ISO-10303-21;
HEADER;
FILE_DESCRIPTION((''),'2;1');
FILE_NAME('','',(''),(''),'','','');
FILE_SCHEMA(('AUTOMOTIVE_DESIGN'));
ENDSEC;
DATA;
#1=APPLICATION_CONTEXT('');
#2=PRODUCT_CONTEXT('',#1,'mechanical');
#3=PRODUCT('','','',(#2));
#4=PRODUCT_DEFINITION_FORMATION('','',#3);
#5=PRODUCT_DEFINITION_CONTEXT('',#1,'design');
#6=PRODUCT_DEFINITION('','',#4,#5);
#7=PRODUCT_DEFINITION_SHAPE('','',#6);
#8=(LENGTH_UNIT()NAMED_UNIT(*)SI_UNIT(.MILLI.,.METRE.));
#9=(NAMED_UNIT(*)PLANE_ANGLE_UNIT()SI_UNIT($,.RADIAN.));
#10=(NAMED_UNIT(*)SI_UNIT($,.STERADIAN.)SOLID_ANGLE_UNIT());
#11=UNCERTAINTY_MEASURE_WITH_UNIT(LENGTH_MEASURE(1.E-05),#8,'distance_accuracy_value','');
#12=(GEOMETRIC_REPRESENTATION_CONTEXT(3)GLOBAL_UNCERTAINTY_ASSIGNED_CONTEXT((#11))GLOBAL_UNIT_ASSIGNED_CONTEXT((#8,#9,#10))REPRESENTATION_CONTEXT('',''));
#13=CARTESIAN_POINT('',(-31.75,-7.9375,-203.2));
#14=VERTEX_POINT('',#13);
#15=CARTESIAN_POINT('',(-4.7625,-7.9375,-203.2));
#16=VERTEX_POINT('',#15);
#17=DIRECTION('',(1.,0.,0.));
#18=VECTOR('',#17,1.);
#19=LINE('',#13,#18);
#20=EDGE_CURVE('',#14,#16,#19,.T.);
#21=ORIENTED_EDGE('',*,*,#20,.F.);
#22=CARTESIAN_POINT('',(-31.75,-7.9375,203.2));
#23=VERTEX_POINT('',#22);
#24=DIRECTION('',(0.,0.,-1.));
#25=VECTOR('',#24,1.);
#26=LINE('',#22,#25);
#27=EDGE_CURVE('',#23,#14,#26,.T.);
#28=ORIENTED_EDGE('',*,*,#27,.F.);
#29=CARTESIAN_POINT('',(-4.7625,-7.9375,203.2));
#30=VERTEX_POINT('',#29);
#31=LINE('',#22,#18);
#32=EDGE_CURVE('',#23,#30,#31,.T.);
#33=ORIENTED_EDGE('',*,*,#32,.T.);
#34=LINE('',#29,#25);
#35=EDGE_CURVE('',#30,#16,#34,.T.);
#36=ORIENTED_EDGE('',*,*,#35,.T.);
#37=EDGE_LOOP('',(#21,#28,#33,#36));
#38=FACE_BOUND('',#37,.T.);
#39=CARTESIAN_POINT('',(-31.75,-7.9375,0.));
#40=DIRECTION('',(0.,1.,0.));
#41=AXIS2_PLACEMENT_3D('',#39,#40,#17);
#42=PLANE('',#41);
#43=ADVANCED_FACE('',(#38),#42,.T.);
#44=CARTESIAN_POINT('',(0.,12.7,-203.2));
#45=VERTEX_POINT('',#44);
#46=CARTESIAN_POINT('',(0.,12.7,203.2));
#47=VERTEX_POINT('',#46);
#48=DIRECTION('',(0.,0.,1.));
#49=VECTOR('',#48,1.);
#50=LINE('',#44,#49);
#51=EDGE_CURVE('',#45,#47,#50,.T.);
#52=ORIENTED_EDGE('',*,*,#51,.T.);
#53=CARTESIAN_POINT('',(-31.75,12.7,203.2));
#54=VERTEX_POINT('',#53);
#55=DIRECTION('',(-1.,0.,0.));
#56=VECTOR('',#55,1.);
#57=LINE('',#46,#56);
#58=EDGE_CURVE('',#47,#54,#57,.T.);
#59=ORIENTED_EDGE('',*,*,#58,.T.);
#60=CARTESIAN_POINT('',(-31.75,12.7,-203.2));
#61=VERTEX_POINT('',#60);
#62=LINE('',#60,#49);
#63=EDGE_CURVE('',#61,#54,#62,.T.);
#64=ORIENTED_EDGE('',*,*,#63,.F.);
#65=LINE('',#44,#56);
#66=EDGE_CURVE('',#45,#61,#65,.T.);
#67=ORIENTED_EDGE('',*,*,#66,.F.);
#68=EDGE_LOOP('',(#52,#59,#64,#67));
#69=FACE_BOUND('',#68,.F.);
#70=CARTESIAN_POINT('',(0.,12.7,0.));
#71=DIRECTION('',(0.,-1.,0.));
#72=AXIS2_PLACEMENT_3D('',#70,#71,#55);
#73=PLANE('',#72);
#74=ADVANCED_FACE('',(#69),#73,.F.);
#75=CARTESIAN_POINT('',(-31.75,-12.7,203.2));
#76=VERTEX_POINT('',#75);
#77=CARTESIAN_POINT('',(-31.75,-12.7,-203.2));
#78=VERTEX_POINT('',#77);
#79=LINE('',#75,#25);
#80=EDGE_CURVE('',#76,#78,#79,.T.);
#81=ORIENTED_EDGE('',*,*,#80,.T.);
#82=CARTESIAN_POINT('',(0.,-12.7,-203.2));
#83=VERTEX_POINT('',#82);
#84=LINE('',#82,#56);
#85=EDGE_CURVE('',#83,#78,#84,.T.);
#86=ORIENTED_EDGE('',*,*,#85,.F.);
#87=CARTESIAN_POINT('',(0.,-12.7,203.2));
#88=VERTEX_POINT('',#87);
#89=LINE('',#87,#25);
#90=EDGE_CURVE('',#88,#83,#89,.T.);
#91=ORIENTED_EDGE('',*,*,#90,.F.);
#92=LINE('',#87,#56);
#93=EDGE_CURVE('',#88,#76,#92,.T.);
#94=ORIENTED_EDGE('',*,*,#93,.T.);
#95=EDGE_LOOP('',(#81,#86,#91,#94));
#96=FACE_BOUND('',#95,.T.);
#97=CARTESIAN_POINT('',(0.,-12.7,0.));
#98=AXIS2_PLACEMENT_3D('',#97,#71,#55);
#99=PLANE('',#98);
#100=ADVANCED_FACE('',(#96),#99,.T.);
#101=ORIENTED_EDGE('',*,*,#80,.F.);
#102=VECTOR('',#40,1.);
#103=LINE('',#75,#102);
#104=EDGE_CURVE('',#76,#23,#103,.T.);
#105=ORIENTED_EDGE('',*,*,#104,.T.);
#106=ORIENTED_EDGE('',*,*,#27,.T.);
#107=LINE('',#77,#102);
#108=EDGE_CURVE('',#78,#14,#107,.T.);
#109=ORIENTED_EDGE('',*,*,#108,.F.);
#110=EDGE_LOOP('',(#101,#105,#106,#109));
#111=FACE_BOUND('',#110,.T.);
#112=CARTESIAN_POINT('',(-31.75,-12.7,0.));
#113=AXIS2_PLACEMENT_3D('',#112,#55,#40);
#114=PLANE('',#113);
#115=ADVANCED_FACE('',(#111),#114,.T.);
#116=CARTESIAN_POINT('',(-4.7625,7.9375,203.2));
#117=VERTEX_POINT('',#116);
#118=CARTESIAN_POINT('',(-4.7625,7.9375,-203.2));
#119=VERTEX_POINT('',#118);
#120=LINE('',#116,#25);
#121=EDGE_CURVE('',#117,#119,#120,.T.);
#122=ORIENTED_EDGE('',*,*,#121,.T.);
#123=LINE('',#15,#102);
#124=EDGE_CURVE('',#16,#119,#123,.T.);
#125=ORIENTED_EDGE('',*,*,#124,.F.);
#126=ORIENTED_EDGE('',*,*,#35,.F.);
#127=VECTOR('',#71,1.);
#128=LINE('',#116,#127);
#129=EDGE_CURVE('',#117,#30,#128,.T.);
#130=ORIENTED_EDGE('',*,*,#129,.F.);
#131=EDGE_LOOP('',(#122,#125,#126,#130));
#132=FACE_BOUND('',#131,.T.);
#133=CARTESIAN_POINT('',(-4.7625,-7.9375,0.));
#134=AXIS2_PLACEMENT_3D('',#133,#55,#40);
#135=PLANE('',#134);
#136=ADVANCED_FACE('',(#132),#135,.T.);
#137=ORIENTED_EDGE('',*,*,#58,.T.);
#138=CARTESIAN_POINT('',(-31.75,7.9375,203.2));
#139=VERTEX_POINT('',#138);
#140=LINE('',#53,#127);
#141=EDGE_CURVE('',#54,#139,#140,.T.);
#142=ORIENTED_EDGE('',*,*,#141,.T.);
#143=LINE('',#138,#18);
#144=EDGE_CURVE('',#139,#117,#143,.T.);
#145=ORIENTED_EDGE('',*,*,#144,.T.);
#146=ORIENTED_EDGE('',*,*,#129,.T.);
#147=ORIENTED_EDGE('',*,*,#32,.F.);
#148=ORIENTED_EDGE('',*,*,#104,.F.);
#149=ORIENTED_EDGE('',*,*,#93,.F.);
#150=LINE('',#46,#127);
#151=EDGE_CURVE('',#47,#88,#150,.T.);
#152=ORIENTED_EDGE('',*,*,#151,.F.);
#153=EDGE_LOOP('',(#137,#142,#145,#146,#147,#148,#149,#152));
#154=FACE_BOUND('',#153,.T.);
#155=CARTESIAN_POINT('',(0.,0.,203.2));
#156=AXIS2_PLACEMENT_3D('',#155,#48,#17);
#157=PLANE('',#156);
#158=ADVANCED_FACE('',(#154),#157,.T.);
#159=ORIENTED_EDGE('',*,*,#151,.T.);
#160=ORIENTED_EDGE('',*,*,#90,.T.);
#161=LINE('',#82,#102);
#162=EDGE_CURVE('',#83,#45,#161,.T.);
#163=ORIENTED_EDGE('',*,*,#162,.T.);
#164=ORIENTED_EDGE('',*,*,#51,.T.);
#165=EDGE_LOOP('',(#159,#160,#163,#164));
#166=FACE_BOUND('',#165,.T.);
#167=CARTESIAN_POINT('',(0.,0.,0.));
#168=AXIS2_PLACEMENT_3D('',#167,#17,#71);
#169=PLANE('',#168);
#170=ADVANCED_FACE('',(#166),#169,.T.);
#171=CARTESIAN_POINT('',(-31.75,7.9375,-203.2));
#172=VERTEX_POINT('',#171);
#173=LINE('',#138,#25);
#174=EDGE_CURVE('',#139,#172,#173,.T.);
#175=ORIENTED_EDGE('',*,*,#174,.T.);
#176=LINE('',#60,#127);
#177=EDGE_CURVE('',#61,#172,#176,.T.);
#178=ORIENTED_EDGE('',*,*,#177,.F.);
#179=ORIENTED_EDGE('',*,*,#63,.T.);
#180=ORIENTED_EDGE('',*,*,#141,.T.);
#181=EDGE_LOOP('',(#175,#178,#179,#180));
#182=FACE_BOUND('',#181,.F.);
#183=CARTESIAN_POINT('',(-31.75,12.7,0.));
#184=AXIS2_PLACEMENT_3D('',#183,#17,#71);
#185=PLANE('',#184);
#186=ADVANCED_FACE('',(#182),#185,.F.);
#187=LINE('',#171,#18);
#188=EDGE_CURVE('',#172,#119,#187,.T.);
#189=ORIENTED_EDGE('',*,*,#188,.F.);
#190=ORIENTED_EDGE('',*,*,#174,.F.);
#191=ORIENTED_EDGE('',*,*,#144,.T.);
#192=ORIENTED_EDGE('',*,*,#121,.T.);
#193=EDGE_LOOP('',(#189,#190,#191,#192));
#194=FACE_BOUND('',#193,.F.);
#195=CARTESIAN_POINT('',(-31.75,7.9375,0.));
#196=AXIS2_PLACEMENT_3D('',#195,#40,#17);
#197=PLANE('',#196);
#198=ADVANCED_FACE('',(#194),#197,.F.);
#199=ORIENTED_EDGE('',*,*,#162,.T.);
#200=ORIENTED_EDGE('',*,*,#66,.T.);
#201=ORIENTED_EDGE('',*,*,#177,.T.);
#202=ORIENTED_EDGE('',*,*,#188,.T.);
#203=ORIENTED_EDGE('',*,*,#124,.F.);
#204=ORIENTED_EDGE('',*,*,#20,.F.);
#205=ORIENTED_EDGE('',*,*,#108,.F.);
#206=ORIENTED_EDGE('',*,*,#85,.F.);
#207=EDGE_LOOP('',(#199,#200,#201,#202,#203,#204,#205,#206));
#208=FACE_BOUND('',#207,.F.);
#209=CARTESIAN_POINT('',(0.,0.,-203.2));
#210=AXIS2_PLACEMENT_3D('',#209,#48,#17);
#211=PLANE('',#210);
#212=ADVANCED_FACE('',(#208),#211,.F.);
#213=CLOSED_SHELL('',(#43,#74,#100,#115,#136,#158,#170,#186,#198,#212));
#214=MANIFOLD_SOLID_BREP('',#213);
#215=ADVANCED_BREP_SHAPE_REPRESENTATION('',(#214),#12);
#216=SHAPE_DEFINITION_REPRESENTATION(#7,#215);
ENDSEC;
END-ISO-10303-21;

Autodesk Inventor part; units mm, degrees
ref_plane "YZ Plane" through (0, 0, 0) normal (1, 0, 0) x (0, 1, 0)
ref_plane "XZ Plane" through (0, 0, 0) normal (0, 1, 0) x (-1, 0, 0)
ref_plane "XY Plane" through (0, 0, 0) normal (0, 0, 1) x (1, 0, 0)
sketch "Sketch1" plane through (0, 0, 0) normal (0, 0, 1) x (1, 0, 0)
  line L0 (0, 0) -> (0, 12.7)
  line L1 (0, 12.7) -> (-31.75, 12.7)
  line L2 (-31.75, 12.7) -> (-31.75, 7.9375)
  line L3 (-31.75, 7.9375) -> (-4.7625, 7.9375)
  line L4 (-4.7625, 7.9375) -> (-4.7625, 0)
  line L5 (0, 0) -> (0, -12.7)
  line L6 (0, -12.7) -> (-31.75, -12.7)
  line L7 (-31.75, -12.7) -> (-31.75, -7.9375)
  line L8 (-31.75, -7.9375) -> (-4.7625, -7.9375)
  line L9 (-4.7625, -7.9375) -> (-4.7625, 0)
  dimension "width" = 25.4
  dimension "thickness" = 4.7625
  dimension "d2" = 4.7625
  dimension "height" = 31.75
extrude "Extrusion1" add sketch "Sketch1" along normal mid plane 406.4
equation "\"d2\" = thickness"
properties part number "1 x 16 x 3_16" material "Aluminum 6061"
